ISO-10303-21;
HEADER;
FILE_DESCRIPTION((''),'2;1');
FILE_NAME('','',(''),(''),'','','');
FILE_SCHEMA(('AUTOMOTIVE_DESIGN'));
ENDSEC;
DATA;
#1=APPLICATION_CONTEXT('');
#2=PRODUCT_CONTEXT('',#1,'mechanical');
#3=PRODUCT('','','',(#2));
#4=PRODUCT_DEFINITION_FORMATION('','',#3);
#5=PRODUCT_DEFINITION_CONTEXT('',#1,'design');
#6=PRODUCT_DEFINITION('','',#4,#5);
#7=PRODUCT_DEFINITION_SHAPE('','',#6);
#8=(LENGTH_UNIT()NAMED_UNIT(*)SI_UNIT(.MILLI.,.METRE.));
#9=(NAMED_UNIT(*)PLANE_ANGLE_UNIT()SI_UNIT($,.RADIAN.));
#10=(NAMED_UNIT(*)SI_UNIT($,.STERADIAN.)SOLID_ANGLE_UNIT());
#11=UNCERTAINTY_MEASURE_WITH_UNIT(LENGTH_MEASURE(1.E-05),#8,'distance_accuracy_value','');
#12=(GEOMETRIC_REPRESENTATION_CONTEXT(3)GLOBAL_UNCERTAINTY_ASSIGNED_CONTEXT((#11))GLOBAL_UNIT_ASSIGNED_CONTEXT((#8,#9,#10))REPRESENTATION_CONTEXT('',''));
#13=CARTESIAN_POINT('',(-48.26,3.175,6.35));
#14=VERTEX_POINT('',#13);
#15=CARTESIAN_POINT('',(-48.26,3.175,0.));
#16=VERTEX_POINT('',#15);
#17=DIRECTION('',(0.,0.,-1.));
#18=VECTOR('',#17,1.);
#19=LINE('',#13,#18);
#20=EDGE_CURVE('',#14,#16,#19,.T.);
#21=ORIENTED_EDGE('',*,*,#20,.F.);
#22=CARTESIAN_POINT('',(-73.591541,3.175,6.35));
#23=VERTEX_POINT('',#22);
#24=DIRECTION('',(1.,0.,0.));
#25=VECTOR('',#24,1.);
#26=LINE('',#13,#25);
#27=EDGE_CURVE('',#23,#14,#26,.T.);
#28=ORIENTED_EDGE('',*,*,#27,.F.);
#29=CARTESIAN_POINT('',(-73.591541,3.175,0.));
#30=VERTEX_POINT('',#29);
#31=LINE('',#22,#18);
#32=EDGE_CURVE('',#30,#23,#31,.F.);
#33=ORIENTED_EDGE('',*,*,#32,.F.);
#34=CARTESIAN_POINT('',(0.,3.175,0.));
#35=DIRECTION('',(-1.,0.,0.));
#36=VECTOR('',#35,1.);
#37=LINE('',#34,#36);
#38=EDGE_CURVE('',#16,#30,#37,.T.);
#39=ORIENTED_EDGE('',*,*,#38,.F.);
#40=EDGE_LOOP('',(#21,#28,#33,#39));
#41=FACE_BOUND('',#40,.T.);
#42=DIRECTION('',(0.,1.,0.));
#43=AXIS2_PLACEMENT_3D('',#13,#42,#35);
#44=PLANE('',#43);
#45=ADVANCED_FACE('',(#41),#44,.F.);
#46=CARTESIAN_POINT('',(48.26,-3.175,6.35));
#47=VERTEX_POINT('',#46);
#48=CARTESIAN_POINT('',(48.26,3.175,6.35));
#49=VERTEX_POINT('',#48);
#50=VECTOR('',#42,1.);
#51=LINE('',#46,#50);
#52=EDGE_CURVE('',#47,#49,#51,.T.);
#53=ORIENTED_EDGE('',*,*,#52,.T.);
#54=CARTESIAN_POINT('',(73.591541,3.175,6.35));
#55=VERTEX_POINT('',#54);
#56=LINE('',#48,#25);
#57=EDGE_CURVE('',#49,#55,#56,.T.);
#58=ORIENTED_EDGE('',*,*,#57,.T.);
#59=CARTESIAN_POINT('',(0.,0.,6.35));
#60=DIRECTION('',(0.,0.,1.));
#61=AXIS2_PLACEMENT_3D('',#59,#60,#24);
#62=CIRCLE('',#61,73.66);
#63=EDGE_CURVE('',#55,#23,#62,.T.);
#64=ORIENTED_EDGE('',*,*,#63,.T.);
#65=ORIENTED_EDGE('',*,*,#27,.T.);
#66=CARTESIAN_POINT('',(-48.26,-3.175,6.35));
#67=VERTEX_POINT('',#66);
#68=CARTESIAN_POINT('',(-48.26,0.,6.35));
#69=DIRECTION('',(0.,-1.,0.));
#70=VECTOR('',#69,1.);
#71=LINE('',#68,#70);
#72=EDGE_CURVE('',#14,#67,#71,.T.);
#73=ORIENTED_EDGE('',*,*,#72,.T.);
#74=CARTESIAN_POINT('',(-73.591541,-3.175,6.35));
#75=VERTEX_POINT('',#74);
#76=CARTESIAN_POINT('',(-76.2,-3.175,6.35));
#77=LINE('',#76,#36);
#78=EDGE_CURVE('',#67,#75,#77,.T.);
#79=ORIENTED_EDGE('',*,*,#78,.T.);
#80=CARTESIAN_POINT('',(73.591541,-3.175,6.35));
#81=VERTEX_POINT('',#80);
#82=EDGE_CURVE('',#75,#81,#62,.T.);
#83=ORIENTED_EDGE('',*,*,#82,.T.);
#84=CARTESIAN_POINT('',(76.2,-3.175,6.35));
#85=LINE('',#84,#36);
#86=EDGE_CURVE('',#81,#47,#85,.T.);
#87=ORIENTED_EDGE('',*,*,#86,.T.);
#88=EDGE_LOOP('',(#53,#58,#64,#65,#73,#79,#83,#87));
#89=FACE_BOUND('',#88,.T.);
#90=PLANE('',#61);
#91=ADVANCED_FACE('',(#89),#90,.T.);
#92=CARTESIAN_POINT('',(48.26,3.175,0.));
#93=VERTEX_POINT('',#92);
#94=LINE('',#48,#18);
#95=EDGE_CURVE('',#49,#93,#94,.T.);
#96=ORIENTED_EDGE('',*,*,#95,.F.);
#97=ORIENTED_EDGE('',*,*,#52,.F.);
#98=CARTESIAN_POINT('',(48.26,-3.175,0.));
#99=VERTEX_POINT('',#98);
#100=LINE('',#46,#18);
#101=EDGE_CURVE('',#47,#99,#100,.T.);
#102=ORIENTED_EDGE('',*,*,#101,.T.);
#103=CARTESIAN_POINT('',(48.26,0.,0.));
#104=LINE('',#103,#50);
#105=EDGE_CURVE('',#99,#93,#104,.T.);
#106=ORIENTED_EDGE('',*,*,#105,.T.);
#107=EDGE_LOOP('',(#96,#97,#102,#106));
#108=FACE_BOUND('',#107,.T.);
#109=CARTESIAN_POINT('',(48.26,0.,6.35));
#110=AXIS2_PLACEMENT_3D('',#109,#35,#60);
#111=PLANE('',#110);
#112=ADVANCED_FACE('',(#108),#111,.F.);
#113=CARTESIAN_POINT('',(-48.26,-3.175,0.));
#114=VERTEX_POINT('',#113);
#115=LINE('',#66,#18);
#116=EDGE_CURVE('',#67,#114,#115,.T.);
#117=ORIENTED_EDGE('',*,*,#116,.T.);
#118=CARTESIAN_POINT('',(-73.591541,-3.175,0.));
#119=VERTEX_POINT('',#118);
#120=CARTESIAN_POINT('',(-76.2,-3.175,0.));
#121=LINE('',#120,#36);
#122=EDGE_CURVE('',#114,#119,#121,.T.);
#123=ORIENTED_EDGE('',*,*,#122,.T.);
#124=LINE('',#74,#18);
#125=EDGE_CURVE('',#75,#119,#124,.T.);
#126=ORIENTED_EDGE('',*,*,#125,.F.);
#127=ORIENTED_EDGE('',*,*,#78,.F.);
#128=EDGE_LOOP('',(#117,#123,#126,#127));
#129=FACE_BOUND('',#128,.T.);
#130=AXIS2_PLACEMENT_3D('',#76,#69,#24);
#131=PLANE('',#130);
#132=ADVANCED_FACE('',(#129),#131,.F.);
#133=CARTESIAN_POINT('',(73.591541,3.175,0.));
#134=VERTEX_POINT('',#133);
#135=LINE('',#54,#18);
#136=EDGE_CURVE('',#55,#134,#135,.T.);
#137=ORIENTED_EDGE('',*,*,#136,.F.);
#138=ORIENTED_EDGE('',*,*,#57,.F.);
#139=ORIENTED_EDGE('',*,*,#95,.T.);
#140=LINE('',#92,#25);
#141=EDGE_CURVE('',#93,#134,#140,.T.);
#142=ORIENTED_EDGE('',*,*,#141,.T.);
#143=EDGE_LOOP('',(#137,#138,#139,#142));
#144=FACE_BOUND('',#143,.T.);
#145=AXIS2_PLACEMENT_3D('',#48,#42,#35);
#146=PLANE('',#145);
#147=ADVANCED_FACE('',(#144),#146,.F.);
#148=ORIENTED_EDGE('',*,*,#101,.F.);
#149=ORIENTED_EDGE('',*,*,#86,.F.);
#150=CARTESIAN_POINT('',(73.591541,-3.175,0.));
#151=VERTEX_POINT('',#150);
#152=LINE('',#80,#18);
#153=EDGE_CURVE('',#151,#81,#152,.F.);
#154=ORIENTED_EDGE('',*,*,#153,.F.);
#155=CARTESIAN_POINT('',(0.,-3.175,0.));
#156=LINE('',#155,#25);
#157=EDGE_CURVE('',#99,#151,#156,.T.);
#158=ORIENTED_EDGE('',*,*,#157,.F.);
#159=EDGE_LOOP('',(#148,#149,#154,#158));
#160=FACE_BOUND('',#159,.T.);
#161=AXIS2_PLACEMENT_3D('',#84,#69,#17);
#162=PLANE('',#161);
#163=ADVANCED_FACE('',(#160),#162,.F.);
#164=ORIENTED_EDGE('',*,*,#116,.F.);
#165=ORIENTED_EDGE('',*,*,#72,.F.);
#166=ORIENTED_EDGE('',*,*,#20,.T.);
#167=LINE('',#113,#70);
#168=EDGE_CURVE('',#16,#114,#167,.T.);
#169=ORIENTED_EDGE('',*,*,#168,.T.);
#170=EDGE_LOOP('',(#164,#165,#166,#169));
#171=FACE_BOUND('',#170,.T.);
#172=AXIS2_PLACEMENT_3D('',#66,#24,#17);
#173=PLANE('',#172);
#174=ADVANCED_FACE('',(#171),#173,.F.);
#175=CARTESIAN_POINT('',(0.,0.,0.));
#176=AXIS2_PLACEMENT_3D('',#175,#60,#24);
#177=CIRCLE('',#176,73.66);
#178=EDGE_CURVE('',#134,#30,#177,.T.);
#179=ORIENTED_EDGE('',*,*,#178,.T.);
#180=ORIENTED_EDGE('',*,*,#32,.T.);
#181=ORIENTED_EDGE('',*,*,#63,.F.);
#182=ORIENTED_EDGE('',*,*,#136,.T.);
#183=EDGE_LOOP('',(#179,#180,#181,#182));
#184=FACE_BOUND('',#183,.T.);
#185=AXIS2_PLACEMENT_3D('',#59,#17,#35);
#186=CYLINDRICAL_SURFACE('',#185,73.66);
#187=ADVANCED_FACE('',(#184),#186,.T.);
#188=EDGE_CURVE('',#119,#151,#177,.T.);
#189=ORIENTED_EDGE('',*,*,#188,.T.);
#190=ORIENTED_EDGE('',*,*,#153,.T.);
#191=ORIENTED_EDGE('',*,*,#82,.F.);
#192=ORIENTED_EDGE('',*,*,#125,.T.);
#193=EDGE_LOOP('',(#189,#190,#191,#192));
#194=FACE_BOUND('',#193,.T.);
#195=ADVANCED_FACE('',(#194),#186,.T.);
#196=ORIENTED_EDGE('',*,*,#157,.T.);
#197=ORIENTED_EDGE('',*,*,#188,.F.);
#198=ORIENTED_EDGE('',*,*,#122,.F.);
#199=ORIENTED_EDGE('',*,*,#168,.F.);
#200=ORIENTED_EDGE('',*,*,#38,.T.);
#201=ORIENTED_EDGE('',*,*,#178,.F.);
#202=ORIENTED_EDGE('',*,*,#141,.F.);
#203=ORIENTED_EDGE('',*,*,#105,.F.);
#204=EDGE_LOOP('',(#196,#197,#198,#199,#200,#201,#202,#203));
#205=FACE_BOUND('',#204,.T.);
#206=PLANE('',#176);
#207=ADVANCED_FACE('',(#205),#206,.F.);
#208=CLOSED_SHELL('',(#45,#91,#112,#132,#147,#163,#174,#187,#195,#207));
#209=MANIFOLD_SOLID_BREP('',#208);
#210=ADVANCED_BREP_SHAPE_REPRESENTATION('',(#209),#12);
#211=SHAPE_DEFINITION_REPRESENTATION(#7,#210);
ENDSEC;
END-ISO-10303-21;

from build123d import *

# Parameters (mm, degrees)
SKETCH1_R           = 73.66
BOSS_EXTRUDE1_DEPTH = 6.35
CUT_EXTRUDE1_DEPTH  = 7.35


with BuildPart() as part:
    # Sketch1 → Boss-Extrude1 (new body)
    with BuildSketch(Plane.XY):
        Circle(SKETCH1_R)
    extrude(amount=BOSS_EXTRUDE1_DEPTH)

    # Sketch2 → Cut-Extrude1 (cut, through all)
    with BuildSketch(Plane(origin=(0, 0, 0), x_dir=(-1, 0, 0), z_dir=(0, 0, -1))):
        Polygon((-48.26, 0), (-48.26, 3.175), (-76.2, 3.175), (-76.2, -3.175), (-48.26, -3.175), align=None)
        Polygon((48.26, -3.175), (48.26, 0), (48.26, 3.175), (76.2, 3.175), (76.2, -3.175), align=None)
    extrude(amount=-CUT_EXTRUDE1_DEPTH, mode=Mode.SUBTRACT)


solid = part.part
